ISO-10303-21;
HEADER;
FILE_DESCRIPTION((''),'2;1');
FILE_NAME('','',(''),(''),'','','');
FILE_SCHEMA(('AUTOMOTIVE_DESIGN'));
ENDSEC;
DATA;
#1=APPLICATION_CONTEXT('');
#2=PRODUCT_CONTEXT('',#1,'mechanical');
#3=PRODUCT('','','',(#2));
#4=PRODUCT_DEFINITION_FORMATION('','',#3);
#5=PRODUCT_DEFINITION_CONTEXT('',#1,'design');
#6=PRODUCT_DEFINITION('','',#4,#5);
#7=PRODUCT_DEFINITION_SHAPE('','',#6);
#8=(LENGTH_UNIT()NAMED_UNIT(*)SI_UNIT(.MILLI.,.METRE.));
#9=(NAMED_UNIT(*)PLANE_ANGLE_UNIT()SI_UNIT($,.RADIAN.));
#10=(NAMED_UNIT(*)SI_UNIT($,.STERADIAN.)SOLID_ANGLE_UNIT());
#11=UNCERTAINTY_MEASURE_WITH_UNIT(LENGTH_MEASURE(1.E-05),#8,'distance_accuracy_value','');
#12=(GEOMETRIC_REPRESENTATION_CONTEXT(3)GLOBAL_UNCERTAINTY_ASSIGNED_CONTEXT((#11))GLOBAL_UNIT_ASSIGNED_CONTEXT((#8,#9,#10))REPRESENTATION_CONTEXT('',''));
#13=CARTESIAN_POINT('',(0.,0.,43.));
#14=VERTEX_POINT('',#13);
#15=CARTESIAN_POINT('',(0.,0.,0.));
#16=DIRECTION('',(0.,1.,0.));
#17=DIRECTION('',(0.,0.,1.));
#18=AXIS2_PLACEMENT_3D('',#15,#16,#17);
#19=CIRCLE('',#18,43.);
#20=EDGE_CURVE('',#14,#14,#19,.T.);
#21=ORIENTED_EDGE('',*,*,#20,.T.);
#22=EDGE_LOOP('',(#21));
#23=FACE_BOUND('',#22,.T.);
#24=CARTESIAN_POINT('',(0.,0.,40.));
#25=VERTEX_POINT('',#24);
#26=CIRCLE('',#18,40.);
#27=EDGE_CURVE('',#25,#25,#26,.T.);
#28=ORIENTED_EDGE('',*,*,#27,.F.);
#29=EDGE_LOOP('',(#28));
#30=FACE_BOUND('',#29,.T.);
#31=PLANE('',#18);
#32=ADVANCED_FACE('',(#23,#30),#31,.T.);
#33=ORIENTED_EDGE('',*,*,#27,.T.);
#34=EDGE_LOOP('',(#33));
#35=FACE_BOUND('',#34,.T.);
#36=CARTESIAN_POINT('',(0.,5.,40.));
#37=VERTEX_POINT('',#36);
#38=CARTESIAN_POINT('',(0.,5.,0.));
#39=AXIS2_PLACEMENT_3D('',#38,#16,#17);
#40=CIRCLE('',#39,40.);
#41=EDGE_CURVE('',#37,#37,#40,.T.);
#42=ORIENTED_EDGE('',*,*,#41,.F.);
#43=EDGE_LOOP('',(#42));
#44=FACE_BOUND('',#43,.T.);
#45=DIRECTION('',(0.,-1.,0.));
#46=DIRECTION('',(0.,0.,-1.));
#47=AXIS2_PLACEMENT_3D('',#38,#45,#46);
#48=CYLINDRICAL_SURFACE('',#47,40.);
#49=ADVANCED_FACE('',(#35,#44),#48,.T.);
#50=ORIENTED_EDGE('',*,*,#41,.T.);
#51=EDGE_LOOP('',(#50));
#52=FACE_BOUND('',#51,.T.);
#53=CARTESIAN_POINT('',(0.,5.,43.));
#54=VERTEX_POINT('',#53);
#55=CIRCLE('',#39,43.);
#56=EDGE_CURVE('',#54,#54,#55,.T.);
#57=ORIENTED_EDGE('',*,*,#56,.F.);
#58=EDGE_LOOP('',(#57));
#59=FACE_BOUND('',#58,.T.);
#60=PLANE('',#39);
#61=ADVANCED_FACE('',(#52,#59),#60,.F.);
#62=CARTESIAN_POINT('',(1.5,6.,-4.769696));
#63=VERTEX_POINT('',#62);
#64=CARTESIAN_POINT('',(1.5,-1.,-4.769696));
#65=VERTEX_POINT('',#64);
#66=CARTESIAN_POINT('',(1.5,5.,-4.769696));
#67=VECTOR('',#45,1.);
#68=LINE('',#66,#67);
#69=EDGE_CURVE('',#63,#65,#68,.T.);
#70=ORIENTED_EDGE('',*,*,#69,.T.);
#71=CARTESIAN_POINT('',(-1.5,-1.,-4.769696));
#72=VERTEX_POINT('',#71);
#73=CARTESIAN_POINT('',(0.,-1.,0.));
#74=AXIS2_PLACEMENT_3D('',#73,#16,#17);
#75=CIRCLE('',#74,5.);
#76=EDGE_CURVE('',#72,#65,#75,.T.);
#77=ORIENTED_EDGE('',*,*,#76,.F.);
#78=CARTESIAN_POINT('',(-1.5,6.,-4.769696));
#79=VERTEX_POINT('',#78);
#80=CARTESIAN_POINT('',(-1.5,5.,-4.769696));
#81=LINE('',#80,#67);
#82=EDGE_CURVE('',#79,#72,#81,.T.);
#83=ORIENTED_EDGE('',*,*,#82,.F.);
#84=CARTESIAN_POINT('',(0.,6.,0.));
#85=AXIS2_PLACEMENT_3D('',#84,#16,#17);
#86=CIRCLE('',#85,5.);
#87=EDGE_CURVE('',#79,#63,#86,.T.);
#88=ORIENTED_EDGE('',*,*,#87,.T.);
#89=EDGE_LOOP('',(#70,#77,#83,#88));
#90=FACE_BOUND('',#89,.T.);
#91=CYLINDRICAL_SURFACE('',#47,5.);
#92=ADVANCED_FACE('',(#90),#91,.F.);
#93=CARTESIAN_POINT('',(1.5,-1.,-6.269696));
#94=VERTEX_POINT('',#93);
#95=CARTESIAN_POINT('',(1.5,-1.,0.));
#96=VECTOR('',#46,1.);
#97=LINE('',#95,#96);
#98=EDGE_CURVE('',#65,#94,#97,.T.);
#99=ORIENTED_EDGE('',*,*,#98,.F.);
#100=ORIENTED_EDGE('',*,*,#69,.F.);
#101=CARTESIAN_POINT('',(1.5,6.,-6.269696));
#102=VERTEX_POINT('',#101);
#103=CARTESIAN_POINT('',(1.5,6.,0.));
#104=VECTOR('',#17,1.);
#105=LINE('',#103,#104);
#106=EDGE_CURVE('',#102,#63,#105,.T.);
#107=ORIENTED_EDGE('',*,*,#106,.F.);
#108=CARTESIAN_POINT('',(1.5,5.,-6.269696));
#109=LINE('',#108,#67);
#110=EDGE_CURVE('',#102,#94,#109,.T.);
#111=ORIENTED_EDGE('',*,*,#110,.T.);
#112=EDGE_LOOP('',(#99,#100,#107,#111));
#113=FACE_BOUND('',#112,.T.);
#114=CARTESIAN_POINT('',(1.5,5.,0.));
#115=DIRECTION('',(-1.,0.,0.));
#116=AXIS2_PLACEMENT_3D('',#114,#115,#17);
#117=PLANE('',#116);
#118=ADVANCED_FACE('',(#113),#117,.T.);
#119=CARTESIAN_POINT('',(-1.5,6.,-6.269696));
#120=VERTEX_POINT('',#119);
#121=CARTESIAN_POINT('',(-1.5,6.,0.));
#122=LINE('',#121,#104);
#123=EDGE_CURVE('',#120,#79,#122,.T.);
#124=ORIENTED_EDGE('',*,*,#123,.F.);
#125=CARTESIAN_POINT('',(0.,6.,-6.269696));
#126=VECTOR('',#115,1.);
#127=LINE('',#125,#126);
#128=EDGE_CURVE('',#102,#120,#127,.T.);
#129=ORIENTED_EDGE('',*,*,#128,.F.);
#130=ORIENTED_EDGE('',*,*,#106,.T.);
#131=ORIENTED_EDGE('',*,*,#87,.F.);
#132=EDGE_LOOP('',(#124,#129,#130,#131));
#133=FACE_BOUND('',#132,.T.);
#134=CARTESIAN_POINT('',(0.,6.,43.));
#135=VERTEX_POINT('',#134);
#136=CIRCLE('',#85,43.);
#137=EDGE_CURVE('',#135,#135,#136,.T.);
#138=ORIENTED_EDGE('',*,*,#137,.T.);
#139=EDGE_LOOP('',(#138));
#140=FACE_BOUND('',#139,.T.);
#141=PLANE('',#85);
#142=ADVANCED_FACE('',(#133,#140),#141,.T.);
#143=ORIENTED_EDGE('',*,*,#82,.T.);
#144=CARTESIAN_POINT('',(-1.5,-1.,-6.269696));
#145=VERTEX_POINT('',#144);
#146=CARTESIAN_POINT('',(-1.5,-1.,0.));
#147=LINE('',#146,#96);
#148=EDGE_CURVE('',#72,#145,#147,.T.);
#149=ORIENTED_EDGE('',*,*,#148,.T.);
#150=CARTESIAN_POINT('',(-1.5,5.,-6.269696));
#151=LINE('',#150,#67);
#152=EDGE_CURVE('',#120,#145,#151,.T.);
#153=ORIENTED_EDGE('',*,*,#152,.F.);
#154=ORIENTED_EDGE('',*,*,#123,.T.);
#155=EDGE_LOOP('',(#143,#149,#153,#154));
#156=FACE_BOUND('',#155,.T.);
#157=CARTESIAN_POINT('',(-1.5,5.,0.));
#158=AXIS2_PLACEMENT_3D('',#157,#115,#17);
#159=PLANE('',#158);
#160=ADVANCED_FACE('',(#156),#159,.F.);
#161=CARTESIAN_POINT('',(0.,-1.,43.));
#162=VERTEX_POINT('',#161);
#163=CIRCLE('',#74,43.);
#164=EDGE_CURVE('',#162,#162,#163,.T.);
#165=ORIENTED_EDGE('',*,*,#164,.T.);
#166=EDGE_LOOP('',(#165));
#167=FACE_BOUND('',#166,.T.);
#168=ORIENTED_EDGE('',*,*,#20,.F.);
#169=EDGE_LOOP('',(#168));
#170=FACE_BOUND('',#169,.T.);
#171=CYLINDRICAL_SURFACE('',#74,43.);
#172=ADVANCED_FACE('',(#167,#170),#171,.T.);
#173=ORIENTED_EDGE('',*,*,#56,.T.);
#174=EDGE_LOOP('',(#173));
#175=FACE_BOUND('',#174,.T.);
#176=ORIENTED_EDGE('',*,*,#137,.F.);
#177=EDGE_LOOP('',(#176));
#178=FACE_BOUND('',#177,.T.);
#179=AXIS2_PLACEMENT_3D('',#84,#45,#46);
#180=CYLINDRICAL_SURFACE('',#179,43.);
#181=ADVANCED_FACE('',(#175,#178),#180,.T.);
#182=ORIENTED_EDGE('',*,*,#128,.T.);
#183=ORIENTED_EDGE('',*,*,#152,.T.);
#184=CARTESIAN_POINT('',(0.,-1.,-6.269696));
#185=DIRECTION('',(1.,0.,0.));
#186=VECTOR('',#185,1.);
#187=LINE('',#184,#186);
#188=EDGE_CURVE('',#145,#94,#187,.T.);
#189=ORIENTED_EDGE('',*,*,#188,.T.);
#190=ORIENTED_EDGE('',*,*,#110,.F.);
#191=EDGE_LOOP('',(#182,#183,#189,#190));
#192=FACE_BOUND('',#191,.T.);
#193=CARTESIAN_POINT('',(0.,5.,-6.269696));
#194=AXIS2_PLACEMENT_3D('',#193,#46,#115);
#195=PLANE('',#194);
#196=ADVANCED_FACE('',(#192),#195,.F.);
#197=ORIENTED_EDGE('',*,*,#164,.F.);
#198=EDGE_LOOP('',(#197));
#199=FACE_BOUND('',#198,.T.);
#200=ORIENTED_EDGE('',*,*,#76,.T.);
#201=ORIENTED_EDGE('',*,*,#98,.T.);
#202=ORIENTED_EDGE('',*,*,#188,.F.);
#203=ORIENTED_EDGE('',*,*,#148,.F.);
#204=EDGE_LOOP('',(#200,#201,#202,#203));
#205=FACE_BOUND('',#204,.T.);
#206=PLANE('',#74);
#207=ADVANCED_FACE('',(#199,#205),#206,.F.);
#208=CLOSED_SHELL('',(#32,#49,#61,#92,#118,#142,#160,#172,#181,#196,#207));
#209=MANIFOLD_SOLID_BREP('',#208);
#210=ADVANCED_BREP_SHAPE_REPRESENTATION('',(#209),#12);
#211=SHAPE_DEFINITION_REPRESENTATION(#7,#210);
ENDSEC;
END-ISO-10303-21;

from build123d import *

# Parameters (mm, degrees)
SKETCH1_R           = 40
BOSS_EXTRUDE1_DEPTH = 5
BOSS_EXTRUDE2_START = -1
SKETCH1_3_R         = 43
BOSS_EXTRUDE2_DEPTH = 1
BOSS_EXTRUDE3_START = 5
SKETCH1_4_R         = 43
BOSS_EXTRUDE3_DEPTH = 1


with BuildPart() as part:
    # Sketch1 → Boss-Extrude1 (new body)
    with BuildSketch(Plane(origin=(0, 0, 0), x_dir=(1, 0, 0), z_dir=(0, 1, 0))):
        with Locations(Location((0, 0, 0), (0, 0, 270))):
            Circle(SKETCH1_R)
        with BuildLine():
            ThreePointArc((5, 0), (-2.958039892, -4.031128874), (-1.5, 4.769696007))
            Line((-1.5, 4.769696007), (-1.5, 6.269696007))
            Line((-1.5, 6.269696007), (1.5, 6.269696007))
            Line((1.5, 6.269696007), (1.5, 4.769696007))
            ThreePointArc((1.5, 4.769696007), (4.031128874, 2.958039892), (5, 0))
        make_face(mode=Mode.SUBTRACT)
    extrude(amount=BOSS_EXTRUDE1_DEPTH)

    # Sketch1<3> → Boss-Extrude2 (add)
    with BuildSketch(Plane(origin=(0, 0, 0), x_dir=(1, 0, 0), z_dir=(0, 1, 0)).offset(BOSS_EXTRUDE2_START)):
        with Locations(Location((0, 0, 0), (0, 0, 270))):
            Circle(SKETCH1_3_R)
        with BuildLine():
            Line((-1.5, 4.769696007), (-1.5, 6.269696007))
            Line((-1.5, 6.269696007), (1.5, 6.269696007))
            Line((1.5, 6.269696007), (1.5, 4.769696007))
            ThreePointArc((1.5, 4.769696007), (0, -5), (-1.5, 4.769696007))
        make_face(mode=Mode.SUBTRACT)
    extrude(amount=BOSS_EXTRUDE2_DEPTH)

    # Sketch1<4> → Boss-Extrude3 (add)
    with BuildSketch(Plane(origin=(0, 0, 0), x_dir=(1, 0, 0), z_dir=(0, 1, 0)).offset(BOSS_EXTRUDE3_START)):
        with Locations(Location((0, 0, 0), (0, 0, 270))):
            Circle(SKETCH1_4_R)
        with BuildLine():
            Line((-1.5, 4.769696007), (-1.5, 6.269696007))
            Line((-1.5, 6.269696007), (1.5, 6.269696007))
            Line((1.5, 6.269696007), (1.5, 4.769696007))
            ThreePointArc((1.5, 4.769696007), (0, -5), (-1.5, 4.769696007))
        make_face(mode=Mode.SUBTRACT)
    extrude(amount=BOSS_EXTRUDE3_DEPTH)


solid = part.part
